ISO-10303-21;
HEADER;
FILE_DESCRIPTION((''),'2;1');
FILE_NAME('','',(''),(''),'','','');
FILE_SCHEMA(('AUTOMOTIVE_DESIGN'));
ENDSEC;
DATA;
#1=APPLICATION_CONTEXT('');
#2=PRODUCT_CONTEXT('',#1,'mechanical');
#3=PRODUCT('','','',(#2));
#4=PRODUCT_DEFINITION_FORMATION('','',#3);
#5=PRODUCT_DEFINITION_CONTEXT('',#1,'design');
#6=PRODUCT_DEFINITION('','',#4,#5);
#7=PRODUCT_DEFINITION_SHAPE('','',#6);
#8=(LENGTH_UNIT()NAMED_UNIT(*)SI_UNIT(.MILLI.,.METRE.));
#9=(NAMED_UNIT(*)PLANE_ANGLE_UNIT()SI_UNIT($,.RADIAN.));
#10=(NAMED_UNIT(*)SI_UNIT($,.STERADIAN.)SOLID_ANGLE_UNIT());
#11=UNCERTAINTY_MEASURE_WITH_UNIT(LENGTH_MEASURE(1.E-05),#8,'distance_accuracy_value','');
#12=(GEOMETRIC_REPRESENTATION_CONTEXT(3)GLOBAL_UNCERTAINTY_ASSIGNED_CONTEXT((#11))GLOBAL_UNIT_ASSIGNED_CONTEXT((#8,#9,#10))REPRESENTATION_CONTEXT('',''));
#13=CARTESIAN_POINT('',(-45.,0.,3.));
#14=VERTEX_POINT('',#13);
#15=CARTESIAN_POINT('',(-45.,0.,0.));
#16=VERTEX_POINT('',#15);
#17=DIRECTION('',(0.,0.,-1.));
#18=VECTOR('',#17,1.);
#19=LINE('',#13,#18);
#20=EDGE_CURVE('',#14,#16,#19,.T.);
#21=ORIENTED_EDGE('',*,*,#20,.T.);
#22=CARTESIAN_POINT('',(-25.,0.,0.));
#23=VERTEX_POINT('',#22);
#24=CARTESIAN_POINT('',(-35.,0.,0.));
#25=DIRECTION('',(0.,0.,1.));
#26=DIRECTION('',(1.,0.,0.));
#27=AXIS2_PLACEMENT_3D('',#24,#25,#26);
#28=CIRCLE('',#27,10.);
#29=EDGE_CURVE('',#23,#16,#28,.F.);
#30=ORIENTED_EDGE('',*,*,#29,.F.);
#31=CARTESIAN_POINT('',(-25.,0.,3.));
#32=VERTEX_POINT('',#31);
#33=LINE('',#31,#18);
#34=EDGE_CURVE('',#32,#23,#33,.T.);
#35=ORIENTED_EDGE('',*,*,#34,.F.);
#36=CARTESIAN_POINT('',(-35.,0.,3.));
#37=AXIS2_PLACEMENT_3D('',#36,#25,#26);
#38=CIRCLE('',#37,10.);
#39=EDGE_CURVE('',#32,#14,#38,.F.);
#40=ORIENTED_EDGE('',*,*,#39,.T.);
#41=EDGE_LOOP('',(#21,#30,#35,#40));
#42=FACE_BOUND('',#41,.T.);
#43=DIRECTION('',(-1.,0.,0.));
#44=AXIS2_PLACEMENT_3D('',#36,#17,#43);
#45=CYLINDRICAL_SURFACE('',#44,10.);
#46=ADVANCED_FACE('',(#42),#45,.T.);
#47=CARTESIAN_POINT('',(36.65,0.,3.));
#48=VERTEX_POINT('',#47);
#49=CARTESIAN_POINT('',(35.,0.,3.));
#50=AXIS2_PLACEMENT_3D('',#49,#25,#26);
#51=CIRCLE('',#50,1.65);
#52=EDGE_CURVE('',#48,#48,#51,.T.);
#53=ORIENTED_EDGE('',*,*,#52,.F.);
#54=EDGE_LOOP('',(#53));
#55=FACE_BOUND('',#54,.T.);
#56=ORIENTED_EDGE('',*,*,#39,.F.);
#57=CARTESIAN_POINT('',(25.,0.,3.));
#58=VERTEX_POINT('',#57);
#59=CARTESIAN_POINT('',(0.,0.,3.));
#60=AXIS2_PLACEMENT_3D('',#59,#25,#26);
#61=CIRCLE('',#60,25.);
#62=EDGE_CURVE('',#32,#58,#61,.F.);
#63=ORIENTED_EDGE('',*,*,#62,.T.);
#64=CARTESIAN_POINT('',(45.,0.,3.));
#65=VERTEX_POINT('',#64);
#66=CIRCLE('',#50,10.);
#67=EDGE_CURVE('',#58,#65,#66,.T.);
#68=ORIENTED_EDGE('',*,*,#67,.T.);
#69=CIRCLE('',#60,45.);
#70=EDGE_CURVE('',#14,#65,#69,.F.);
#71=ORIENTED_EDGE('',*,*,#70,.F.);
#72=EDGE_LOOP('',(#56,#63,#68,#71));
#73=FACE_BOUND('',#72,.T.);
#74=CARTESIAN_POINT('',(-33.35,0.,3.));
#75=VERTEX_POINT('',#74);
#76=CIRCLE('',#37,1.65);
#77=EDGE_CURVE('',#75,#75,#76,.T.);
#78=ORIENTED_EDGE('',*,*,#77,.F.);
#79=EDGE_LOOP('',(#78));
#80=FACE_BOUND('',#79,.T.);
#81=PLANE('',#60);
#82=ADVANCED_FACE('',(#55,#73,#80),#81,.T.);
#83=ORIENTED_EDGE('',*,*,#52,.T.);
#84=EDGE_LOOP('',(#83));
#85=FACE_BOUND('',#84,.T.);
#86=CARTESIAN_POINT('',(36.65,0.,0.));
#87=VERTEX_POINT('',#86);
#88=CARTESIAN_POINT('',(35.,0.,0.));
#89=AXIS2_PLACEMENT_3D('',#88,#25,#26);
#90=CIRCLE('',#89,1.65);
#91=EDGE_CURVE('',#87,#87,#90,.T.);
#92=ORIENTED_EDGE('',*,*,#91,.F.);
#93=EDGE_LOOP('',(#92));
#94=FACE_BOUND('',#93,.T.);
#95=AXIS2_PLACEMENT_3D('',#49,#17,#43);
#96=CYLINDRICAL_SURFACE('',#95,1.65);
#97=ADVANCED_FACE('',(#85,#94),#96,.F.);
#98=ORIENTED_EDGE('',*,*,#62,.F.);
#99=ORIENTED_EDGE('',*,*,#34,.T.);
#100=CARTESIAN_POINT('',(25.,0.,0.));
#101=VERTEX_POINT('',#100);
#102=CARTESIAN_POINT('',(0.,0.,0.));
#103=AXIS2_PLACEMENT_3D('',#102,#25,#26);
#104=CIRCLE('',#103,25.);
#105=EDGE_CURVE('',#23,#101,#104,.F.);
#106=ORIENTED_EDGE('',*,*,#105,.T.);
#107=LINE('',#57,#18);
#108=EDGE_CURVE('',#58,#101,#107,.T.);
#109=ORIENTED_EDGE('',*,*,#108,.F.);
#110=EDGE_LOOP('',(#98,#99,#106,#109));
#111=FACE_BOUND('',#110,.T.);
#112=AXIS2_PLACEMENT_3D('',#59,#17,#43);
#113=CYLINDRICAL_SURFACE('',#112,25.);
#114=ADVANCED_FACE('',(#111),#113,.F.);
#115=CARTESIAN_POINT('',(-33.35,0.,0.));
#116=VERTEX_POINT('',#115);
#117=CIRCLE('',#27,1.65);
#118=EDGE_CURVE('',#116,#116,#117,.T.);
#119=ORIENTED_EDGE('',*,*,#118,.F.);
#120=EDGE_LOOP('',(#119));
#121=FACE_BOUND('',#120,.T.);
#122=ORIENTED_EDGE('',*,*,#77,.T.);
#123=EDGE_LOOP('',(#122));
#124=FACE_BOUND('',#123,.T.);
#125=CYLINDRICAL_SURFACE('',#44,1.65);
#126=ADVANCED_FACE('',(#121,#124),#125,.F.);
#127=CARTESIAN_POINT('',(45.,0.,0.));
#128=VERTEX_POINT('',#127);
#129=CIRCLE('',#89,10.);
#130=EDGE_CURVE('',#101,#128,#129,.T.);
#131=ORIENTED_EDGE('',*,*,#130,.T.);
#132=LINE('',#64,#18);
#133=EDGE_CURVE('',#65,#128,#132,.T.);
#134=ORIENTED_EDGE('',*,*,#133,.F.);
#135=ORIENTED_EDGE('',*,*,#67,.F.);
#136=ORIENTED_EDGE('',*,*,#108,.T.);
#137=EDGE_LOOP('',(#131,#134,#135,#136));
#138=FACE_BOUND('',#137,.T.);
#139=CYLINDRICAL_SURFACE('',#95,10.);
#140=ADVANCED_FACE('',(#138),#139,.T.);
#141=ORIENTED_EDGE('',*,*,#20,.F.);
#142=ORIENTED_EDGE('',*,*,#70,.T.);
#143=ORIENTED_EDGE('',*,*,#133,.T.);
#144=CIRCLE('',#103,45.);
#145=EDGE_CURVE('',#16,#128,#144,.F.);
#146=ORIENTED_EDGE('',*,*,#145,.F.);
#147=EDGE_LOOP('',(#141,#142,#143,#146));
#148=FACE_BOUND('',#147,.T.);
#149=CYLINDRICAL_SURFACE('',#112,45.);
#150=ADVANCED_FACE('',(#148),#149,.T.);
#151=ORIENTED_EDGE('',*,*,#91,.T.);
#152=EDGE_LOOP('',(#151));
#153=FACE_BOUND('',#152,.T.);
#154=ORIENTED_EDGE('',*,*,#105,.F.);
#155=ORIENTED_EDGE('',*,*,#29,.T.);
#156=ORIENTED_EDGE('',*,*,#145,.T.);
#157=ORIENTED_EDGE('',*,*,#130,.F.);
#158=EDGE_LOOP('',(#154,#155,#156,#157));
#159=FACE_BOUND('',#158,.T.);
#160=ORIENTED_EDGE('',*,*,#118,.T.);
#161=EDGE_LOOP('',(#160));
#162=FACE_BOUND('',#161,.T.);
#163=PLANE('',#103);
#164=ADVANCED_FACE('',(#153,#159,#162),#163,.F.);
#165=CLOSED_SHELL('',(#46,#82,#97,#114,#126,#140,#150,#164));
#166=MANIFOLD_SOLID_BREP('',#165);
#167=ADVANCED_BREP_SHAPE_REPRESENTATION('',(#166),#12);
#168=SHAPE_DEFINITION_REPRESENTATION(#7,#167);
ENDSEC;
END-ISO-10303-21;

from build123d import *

# Parameters (mm, degrees)
SKETCH_1_R      = 1.65
EXTRUDE_1_DEPTH = 3


with BuildPart() as part:
    # 草图1 → 凸台-拉伸1 (new body)
    with BuildSketch(Plane.XY):
        with BuildLine():
            ThreePointArc((-25, 0), (0, 25), (25, 0))
            ThreePointArc((25, 0), (35, -10), (45, 0))
            ThreePointArc((45, 0), (0, 45), (-45, 0))
            ThreePointArc((-45, 0), (-35, -10), (-25, 0))
        make_face()
        with Locations((-35, 0)):
            Circle(SKETCH_1_R, mode=Mode.SUBTRACT)
        with Locations((35, 0)):
            Circle(SKETCH_1_R, mode=Mode.SUBTRACT)
    extrude(amount=EXTRUDE_1_DEPTH)


solid = part.part
